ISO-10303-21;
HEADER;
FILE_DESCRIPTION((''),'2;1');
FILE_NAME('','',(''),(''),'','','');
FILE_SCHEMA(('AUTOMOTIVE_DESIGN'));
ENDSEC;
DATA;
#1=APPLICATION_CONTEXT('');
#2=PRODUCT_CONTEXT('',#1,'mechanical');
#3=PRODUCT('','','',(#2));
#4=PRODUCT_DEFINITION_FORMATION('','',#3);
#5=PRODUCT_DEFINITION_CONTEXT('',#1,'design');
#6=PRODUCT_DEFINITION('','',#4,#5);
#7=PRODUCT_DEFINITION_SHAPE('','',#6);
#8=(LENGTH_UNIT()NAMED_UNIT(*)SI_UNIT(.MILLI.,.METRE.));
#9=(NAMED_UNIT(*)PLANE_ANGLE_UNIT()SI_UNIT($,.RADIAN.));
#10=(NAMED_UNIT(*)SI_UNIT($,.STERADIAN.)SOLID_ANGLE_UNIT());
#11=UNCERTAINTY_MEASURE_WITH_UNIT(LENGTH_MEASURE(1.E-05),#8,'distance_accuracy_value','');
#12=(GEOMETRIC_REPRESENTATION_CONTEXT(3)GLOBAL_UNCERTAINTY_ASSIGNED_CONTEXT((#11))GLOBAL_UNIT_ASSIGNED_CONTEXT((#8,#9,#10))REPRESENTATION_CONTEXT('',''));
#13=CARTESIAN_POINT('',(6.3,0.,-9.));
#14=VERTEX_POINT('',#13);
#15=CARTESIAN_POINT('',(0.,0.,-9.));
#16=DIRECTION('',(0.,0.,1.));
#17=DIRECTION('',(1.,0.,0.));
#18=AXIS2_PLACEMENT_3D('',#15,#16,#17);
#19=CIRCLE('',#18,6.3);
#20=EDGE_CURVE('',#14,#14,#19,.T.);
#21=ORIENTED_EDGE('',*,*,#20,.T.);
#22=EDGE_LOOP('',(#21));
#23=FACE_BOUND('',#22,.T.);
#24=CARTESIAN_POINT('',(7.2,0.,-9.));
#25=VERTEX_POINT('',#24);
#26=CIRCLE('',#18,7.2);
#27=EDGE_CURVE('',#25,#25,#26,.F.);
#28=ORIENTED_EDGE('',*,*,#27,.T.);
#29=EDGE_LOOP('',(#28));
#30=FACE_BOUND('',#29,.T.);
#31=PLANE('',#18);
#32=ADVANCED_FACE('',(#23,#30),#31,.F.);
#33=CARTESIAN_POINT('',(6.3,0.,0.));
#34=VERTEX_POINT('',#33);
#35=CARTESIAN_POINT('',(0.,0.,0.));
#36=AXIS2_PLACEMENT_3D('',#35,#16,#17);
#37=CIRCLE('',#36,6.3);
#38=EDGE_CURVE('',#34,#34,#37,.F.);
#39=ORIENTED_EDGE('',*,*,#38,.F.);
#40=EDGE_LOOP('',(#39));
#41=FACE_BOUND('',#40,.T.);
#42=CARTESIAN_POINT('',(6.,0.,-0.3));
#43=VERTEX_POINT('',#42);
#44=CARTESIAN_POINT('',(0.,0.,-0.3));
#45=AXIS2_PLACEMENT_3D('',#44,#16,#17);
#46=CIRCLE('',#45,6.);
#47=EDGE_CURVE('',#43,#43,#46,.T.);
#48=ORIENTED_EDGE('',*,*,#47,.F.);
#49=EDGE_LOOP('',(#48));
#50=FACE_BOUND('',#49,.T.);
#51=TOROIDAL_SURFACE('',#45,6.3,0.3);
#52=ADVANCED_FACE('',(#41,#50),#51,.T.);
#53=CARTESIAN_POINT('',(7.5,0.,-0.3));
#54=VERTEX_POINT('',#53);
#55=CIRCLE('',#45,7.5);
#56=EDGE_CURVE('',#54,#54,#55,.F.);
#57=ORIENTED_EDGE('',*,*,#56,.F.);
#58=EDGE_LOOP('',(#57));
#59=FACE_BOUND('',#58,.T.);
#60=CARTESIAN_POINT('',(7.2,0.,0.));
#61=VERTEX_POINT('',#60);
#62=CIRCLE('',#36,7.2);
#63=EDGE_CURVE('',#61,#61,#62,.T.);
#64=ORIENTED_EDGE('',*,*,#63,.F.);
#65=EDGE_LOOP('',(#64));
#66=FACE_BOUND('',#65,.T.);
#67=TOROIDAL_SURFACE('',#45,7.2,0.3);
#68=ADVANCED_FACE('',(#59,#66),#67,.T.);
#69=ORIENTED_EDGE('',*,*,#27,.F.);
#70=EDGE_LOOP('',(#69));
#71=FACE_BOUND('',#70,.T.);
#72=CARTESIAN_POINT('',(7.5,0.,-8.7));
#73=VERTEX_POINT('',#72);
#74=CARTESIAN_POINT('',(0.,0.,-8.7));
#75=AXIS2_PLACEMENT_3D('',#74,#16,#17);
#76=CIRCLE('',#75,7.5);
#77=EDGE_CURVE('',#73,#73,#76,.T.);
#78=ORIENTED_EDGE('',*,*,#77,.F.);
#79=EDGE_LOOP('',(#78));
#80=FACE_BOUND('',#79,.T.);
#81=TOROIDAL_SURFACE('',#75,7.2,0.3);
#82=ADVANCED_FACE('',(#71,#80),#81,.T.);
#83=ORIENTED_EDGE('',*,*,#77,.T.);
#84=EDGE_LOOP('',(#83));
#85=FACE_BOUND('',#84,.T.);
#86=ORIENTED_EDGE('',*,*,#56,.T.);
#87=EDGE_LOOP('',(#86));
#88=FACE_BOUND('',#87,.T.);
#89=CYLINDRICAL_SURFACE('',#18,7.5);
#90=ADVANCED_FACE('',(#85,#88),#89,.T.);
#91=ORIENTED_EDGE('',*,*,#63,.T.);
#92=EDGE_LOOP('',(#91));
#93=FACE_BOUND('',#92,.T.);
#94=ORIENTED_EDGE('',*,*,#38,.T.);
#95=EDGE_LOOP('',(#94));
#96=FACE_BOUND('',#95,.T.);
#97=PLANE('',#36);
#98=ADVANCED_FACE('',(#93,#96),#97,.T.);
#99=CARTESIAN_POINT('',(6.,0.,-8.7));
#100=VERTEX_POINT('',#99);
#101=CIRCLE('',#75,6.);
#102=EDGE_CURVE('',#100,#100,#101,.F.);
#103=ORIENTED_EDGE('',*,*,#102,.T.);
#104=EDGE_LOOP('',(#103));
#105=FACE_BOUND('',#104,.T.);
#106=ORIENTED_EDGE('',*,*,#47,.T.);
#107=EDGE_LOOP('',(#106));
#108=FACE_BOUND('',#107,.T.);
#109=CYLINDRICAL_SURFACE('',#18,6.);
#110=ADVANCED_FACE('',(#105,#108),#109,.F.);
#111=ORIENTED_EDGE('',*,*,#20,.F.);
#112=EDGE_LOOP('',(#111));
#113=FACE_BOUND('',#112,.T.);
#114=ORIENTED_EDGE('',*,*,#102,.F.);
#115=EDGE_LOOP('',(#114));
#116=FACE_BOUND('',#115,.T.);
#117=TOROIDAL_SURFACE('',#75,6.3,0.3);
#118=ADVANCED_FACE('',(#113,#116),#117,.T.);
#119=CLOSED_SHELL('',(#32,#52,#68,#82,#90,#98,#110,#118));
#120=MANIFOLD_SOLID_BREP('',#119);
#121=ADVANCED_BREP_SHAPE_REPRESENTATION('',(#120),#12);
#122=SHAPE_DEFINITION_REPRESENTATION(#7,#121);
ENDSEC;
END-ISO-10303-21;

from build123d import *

# Parameters (mm, degrees)
SKETCH1_R           = 7.5
SKETCH1_R_2         = 6
BOSS_EXTRUDE1_DEPTH = 9
FILLET1_R           = 0.3


with BuildPart() as part:
    # Sketch1 → Boss-Extrude1 (new body)
    with BuildSketch(Plane.XY):
        Circle(SKETCH1_R)
        Circle(SKETCH1_R_2, mode=Mode.SUBTRACT)
    extrude(amount=-BOSS_EXTRUDE1_DEPTH)

    # Fillet1
    fillet1_edges = [part.edges().sort_by_distance(p)[0] for p in [
        (-7.5, 0, 0),
        (-7.5, 0, -9),
        (-6, 0, -9),
        (-6, 0, 0),
    ]]
    fillet(fillet1_edges, radius=FILLET1_R)


solid = part.part
